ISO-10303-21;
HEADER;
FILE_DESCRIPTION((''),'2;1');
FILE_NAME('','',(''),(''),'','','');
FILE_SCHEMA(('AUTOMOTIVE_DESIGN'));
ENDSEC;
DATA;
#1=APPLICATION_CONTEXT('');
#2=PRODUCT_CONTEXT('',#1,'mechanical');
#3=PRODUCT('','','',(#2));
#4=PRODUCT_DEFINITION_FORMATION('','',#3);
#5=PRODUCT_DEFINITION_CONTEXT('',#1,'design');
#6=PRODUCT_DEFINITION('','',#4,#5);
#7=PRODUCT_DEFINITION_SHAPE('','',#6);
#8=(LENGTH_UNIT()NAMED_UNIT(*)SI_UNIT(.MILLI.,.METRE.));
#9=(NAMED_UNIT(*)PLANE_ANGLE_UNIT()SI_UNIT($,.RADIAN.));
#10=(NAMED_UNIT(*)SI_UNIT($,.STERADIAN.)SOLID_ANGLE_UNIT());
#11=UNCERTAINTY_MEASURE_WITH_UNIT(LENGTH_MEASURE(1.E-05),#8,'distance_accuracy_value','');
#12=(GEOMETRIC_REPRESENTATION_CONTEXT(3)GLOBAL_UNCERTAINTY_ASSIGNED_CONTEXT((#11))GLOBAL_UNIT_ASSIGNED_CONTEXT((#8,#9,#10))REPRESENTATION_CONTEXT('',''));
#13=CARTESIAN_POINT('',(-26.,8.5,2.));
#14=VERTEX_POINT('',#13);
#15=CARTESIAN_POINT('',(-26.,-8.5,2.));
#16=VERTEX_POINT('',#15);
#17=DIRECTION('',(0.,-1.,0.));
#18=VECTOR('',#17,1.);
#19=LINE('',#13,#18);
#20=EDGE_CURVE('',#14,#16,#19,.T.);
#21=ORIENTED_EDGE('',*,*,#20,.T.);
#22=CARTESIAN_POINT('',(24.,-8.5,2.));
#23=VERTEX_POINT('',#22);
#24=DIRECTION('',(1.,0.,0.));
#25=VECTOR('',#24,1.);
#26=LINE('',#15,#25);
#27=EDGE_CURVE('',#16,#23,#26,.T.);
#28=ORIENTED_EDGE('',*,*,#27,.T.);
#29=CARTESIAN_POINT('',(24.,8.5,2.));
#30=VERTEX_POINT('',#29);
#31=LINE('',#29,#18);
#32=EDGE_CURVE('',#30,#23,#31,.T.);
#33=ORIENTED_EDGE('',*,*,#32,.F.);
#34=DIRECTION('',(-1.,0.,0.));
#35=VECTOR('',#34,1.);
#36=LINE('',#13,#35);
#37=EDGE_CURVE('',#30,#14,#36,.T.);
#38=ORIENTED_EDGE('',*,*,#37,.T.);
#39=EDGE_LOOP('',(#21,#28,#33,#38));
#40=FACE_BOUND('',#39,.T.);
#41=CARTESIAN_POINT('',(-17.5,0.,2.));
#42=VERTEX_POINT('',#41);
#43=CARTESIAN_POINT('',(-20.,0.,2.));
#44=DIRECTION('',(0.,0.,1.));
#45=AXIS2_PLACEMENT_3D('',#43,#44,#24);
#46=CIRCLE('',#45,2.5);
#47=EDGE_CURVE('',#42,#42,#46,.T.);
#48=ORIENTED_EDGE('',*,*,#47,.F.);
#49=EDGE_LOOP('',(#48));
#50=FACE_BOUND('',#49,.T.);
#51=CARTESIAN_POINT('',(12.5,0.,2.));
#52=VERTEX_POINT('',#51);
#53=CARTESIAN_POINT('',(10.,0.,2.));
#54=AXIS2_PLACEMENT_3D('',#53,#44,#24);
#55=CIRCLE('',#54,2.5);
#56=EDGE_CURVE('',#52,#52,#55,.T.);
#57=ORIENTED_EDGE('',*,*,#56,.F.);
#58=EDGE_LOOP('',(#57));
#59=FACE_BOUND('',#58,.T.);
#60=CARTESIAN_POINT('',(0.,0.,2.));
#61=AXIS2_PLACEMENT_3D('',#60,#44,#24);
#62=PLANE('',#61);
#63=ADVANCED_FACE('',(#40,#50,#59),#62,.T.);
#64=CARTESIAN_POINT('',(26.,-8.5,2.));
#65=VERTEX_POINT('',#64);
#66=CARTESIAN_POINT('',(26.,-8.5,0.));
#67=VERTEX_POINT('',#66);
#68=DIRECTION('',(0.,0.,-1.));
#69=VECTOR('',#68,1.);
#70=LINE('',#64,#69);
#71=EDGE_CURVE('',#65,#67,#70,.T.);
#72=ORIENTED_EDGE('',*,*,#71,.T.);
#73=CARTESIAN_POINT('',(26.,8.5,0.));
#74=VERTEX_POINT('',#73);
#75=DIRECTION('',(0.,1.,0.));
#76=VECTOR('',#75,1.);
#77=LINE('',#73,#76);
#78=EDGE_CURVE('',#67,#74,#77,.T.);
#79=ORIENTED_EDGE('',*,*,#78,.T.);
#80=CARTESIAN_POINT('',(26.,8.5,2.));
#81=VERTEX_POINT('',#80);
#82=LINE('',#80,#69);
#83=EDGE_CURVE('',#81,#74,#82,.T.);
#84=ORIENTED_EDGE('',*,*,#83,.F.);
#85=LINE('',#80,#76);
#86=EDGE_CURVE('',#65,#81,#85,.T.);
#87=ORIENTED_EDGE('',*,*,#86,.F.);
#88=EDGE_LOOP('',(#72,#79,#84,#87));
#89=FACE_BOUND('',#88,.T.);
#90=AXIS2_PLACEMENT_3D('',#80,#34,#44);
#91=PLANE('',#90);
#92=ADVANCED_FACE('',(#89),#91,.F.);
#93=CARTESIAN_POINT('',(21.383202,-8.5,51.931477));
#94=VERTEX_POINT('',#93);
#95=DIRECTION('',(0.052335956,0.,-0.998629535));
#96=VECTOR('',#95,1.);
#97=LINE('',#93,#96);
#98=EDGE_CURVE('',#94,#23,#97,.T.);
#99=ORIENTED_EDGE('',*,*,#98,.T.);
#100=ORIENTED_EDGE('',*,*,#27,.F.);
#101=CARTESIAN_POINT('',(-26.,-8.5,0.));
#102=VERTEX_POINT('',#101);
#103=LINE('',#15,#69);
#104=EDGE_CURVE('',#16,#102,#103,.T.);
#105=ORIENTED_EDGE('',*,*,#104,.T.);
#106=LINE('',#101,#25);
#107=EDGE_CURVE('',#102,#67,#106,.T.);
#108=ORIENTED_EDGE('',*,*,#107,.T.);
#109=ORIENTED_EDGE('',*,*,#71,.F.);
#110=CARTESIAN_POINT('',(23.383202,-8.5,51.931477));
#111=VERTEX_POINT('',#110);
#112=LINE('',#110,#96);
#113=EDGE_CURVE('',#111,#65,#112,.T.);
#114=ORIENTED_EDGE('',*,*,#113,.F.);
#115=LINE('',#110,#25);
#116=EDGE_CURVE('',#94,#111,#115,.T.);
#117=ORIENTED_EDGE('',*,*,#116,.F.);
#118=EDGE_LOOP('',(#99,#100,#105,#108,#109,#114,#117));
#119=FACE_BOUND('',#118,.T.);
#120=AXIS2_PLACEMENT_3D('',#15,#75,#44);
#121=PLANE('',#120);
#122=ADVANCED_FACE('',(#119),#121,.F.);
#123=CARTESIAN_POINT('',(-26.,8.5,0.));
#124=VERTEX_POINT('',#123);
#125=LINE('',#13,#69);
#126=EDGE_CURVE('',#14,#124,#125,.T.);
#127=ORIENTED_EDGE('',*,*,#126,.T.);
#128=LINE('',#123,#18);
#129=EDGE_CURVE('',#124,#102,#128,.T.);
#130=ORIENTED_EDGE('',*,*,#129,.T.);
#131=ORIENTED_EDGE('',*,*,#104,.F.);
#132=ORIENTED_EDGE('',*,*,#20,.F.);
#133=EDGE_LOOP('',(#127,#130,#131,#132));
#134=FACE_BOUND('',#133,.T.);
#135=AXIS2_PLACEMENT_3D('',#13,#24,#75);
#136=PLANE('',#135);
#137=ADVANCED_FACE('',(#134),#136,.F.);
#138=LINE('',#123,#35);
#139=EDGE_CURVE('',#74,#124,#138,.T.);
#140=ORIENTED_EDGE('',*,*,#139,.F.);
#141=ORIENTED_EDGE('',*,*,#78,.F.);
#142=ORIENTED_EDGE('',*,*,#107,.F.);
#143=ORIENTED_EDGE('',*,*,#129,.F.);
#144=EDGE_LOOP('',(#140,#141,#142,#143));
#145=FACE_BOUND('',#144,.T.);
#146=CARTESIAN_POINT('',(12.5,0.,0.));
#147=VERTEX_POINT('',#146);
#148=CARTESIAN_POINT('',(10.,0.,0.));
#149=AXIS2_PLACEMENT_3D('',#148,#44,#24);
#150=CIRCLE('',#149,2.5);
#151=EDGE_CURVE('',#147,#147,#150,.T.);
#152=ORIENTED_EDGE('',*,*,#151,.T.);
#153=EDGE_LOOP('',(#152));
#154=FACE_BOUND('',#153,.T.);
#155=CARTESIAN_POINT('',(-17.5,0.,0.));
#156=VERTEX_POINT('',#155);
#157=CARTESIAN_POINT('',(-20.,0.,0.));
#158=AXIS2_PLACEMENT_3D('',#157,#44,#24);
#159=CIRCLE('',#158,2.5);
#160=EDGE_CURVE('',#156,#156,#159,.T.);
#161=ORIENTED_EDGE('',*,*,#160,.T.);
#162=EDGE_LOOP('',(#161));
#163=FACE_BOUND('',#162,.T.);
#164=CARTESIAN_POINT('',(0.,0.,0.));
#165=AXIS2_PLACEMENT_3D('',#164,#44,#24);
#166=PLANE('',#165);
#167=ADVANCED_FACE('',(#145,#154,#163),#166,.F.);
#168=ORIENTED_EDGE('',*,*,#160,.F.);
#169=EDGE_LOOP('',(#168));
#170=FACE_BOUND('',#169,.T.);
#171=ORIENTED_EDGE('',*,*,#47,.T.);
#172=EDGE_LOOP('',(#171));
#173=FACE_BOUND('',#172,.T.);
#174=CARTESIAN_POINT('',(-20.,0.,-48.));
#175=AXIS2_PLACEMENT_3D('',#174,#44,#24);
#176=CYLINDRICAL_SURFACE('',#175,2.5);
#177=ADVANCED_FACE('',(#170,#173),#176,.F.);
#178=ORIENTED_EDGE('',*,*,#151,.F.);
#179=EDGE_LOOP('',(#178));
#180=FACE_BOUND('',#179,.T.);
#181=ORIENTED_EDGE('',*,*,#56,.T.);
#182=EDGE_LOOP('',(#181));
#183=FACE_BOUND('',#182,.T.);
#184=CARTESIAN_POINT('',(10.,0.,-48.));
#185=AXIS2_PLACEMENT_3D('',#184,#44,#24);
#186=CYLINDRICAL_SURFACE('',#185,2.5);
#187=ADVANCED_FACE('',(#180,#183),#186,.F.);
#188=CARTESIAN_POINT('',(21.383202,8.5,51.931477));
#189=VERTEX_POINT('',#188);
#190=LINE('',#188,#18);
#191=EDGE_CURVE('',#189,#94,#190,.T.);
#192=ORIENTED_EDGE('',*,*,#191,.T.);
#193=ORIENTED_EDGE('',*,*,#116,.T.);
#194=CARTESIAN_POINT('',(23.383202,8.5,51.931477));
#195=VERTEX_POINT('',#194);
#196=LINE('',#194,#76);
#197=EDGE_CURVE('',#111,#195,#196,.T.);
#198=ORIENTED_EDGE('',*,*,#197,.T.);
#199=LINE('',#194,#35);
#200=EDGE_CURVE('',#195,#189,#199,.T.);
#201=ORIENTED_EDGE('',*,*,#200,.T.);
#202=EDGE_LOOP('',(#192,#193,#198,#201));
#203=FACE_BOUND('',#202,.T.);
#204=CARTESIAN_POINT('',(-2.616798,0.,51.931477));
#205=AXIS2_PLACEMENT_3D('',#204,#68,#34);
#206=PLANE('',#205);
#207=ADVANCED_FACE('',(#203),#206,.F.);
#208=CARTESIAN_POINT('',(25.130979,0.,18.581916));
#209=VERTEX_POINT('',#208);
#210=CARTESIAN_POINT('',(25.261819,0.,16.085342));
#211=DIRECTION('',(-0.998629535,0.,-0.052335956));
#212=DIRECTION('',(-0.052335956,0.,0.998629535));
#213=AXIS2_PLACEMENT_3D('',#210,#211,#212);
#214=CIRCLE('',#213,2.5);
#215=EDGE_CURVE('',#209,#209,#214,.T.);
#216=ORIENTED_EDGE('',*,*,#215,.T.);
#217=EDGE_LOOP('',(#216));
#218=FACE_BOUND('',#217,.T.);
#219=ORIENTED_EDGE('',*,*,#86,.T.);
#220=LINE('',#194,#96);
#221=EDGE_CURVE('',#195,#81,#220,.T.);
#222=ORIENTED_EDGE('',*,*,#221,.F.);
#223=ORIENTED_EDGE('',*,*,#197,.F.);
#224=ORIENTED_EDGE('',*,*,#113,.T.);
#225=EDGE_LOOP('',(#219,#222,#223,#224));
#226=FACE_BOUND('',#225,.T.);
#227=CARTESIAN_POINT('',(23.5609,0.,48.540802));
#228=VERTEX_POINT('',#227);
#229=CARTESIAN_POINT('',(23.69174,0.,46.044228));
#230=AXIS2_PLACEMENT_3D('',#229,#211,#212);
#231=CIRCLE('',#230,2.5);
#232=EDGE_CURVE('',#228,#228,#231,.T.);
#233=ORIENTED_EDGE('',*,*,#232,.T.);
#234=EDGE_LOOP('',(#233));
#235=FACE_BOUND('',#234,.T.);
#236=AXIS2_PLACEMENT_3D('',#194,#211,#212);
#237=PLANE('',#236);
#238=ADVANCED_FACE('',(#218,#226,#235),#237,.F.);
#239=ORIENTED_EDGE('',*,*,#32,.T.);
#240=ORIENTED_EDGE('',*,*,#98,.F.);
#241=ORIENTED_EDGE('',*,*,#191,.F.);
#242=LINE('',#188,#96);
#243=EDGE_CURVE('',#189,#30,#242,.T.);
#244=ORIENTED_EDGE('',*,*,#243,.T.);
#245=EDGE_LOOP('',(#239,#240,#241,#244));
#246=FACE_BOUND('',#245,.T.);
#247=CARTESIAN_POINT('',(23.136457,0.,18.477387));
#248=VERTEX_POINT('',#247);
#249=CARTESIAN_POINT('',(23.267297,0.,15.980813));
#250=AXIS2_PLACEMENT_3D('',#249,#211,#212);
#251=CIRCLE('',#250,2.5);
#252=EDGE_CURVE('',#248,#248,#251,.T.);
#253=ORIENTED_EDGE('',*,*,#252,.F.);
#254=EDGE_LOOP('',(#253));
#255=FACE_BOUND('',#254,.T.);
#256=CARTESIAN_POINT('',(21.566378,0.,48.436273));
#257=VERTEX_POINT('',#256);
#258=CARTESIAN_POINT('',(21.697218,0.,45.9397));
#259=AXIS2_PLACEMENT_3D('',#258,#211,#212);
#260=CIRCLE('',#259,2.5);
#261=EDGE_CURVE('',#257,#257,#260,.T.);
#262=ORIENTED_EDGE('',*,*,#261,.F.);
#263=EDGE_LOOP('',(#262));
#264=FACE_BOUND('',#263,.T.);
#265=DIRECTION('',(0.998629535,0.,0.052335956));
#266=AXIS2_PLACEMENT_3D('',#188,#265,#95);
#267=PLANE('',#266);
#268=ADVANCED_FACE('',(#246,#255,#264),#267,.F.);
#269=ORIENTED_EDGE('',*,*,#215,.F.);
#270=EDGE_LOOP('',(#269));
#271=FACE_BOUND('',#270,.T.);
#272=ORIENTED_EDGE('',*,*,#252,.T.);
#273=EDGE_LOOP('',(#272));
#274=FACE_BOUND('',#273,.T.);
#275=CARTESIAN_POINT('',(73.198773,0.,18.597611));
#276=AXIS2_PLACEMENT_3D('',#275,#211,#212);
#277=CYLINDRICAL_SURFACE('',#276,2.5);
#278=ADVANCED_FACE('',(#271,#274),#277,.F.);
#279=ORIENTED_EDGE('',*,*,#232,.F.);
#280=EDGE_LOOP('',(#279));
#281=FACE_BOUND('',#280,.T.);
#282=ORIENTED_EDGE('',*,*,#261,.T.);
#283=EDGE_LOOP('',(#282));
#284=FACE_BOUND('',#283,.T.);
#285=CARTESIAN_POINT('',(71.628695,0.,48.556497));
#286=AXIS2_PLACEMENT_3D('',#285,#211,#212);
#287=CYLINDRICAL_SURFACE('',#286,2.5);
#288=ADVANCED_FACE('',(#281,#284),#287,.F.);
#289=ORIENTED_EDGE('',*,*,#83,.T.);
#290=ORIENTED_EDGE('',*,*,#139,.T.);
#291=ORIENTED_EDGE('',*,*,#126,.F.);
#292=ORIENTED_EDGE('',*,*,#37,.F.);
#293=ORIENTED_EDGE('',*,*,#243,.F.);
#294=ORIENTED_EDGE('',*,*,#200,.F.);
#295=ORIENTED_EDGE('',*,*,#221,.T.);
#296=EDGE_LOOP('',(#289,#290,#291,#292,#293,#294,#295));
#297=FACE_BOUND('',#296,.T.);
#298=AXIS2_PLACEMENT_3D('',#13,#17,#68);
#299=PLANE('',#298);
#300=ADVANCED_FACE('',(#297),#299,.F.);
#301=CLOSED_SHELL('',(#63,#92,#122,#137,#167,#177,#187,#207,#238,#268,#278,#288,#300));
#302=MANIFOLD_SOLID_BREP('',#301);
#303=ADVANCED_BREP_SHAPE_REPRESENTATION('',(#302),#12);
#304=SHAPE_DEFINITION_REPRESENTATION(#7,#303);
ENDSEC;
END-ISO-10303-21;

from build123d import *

# Parameters (mm, degrees)
ESQUISSE1_W             = 52
ESQUISSE1_H             = 17
BOSS_EXTRU_1_DEPTH      = 2
ESQUISSE2_W             = 2
ESQUISSE2_H             = 17
BOSS_EXTRU_2_DEPTH      = 50
ESQUISSE3_R             = 2.5
ENL_V_MAT_EXTRU_1_DEPTH = 50
ESQUISSE4_R             = 2.5
ENL_V_MAT_EXTRU_2_DEPTH = 50


with BuildPart() as part:
    # Esquisse1 → Boss.-Extru.1 (new body)
    with BuildSketch(Plane.XY):
        Rectangle(ESQUISSE1_W, ESQUISSE1_H)
    extrude(amount=BOSS_EXTRU_1_DEPTH)

    # Esquisse2 → Boss.-Extru.2 (add, along a direction that is not the sketch's normal)
    with BuildSketch(Plane.XY.offset(2)):
        with Locations((25, 0)):
            Rectangle(ESQUISSE2_W, ESQUISSE2_H)
    extrude(amount=BOSS_EXTRU_2_DEPTH, dir=(-0.052335956242937125, 0, 0.9986295347545743))

    # Esquisse3 → Enlèv. mat.-Extru.1 (cut)
    with BuildSketch(Plane.XY.offset(2)):
        with Locations((-20, 0)):
            Circle(ESQUISSE3_R)
        with Locations((10, 0)):
            Circle(ESQUISSE3_R)
    extrude(amount=-ENL_V_MAT_EXTRU_1_DEPTH, mode=Mode.SUBTRACT)

    # Esquisse4 → Enlèv. mat.-Extru.2 (cut)
    with BuildSketch(Plane(origin=(24.038791208, 0, 1.259819664), x_dir=(-0.052335956242937125, 0, 0.9986295347545743), z_dir=(-0.9986295347545743, 0, -0.052335956242937125))):
        with Locations((44.74119612, 0)):
            Circle(ESQUISSE4_R)
        with Locations((14.74119612, 0)):
            Circle(ESQUISSE4_R)
    extrude(amount=-ENL_V_MAT_EXTRU_2_DEPTH, mode=Mode.SUBTRACT)


solid = part.part
